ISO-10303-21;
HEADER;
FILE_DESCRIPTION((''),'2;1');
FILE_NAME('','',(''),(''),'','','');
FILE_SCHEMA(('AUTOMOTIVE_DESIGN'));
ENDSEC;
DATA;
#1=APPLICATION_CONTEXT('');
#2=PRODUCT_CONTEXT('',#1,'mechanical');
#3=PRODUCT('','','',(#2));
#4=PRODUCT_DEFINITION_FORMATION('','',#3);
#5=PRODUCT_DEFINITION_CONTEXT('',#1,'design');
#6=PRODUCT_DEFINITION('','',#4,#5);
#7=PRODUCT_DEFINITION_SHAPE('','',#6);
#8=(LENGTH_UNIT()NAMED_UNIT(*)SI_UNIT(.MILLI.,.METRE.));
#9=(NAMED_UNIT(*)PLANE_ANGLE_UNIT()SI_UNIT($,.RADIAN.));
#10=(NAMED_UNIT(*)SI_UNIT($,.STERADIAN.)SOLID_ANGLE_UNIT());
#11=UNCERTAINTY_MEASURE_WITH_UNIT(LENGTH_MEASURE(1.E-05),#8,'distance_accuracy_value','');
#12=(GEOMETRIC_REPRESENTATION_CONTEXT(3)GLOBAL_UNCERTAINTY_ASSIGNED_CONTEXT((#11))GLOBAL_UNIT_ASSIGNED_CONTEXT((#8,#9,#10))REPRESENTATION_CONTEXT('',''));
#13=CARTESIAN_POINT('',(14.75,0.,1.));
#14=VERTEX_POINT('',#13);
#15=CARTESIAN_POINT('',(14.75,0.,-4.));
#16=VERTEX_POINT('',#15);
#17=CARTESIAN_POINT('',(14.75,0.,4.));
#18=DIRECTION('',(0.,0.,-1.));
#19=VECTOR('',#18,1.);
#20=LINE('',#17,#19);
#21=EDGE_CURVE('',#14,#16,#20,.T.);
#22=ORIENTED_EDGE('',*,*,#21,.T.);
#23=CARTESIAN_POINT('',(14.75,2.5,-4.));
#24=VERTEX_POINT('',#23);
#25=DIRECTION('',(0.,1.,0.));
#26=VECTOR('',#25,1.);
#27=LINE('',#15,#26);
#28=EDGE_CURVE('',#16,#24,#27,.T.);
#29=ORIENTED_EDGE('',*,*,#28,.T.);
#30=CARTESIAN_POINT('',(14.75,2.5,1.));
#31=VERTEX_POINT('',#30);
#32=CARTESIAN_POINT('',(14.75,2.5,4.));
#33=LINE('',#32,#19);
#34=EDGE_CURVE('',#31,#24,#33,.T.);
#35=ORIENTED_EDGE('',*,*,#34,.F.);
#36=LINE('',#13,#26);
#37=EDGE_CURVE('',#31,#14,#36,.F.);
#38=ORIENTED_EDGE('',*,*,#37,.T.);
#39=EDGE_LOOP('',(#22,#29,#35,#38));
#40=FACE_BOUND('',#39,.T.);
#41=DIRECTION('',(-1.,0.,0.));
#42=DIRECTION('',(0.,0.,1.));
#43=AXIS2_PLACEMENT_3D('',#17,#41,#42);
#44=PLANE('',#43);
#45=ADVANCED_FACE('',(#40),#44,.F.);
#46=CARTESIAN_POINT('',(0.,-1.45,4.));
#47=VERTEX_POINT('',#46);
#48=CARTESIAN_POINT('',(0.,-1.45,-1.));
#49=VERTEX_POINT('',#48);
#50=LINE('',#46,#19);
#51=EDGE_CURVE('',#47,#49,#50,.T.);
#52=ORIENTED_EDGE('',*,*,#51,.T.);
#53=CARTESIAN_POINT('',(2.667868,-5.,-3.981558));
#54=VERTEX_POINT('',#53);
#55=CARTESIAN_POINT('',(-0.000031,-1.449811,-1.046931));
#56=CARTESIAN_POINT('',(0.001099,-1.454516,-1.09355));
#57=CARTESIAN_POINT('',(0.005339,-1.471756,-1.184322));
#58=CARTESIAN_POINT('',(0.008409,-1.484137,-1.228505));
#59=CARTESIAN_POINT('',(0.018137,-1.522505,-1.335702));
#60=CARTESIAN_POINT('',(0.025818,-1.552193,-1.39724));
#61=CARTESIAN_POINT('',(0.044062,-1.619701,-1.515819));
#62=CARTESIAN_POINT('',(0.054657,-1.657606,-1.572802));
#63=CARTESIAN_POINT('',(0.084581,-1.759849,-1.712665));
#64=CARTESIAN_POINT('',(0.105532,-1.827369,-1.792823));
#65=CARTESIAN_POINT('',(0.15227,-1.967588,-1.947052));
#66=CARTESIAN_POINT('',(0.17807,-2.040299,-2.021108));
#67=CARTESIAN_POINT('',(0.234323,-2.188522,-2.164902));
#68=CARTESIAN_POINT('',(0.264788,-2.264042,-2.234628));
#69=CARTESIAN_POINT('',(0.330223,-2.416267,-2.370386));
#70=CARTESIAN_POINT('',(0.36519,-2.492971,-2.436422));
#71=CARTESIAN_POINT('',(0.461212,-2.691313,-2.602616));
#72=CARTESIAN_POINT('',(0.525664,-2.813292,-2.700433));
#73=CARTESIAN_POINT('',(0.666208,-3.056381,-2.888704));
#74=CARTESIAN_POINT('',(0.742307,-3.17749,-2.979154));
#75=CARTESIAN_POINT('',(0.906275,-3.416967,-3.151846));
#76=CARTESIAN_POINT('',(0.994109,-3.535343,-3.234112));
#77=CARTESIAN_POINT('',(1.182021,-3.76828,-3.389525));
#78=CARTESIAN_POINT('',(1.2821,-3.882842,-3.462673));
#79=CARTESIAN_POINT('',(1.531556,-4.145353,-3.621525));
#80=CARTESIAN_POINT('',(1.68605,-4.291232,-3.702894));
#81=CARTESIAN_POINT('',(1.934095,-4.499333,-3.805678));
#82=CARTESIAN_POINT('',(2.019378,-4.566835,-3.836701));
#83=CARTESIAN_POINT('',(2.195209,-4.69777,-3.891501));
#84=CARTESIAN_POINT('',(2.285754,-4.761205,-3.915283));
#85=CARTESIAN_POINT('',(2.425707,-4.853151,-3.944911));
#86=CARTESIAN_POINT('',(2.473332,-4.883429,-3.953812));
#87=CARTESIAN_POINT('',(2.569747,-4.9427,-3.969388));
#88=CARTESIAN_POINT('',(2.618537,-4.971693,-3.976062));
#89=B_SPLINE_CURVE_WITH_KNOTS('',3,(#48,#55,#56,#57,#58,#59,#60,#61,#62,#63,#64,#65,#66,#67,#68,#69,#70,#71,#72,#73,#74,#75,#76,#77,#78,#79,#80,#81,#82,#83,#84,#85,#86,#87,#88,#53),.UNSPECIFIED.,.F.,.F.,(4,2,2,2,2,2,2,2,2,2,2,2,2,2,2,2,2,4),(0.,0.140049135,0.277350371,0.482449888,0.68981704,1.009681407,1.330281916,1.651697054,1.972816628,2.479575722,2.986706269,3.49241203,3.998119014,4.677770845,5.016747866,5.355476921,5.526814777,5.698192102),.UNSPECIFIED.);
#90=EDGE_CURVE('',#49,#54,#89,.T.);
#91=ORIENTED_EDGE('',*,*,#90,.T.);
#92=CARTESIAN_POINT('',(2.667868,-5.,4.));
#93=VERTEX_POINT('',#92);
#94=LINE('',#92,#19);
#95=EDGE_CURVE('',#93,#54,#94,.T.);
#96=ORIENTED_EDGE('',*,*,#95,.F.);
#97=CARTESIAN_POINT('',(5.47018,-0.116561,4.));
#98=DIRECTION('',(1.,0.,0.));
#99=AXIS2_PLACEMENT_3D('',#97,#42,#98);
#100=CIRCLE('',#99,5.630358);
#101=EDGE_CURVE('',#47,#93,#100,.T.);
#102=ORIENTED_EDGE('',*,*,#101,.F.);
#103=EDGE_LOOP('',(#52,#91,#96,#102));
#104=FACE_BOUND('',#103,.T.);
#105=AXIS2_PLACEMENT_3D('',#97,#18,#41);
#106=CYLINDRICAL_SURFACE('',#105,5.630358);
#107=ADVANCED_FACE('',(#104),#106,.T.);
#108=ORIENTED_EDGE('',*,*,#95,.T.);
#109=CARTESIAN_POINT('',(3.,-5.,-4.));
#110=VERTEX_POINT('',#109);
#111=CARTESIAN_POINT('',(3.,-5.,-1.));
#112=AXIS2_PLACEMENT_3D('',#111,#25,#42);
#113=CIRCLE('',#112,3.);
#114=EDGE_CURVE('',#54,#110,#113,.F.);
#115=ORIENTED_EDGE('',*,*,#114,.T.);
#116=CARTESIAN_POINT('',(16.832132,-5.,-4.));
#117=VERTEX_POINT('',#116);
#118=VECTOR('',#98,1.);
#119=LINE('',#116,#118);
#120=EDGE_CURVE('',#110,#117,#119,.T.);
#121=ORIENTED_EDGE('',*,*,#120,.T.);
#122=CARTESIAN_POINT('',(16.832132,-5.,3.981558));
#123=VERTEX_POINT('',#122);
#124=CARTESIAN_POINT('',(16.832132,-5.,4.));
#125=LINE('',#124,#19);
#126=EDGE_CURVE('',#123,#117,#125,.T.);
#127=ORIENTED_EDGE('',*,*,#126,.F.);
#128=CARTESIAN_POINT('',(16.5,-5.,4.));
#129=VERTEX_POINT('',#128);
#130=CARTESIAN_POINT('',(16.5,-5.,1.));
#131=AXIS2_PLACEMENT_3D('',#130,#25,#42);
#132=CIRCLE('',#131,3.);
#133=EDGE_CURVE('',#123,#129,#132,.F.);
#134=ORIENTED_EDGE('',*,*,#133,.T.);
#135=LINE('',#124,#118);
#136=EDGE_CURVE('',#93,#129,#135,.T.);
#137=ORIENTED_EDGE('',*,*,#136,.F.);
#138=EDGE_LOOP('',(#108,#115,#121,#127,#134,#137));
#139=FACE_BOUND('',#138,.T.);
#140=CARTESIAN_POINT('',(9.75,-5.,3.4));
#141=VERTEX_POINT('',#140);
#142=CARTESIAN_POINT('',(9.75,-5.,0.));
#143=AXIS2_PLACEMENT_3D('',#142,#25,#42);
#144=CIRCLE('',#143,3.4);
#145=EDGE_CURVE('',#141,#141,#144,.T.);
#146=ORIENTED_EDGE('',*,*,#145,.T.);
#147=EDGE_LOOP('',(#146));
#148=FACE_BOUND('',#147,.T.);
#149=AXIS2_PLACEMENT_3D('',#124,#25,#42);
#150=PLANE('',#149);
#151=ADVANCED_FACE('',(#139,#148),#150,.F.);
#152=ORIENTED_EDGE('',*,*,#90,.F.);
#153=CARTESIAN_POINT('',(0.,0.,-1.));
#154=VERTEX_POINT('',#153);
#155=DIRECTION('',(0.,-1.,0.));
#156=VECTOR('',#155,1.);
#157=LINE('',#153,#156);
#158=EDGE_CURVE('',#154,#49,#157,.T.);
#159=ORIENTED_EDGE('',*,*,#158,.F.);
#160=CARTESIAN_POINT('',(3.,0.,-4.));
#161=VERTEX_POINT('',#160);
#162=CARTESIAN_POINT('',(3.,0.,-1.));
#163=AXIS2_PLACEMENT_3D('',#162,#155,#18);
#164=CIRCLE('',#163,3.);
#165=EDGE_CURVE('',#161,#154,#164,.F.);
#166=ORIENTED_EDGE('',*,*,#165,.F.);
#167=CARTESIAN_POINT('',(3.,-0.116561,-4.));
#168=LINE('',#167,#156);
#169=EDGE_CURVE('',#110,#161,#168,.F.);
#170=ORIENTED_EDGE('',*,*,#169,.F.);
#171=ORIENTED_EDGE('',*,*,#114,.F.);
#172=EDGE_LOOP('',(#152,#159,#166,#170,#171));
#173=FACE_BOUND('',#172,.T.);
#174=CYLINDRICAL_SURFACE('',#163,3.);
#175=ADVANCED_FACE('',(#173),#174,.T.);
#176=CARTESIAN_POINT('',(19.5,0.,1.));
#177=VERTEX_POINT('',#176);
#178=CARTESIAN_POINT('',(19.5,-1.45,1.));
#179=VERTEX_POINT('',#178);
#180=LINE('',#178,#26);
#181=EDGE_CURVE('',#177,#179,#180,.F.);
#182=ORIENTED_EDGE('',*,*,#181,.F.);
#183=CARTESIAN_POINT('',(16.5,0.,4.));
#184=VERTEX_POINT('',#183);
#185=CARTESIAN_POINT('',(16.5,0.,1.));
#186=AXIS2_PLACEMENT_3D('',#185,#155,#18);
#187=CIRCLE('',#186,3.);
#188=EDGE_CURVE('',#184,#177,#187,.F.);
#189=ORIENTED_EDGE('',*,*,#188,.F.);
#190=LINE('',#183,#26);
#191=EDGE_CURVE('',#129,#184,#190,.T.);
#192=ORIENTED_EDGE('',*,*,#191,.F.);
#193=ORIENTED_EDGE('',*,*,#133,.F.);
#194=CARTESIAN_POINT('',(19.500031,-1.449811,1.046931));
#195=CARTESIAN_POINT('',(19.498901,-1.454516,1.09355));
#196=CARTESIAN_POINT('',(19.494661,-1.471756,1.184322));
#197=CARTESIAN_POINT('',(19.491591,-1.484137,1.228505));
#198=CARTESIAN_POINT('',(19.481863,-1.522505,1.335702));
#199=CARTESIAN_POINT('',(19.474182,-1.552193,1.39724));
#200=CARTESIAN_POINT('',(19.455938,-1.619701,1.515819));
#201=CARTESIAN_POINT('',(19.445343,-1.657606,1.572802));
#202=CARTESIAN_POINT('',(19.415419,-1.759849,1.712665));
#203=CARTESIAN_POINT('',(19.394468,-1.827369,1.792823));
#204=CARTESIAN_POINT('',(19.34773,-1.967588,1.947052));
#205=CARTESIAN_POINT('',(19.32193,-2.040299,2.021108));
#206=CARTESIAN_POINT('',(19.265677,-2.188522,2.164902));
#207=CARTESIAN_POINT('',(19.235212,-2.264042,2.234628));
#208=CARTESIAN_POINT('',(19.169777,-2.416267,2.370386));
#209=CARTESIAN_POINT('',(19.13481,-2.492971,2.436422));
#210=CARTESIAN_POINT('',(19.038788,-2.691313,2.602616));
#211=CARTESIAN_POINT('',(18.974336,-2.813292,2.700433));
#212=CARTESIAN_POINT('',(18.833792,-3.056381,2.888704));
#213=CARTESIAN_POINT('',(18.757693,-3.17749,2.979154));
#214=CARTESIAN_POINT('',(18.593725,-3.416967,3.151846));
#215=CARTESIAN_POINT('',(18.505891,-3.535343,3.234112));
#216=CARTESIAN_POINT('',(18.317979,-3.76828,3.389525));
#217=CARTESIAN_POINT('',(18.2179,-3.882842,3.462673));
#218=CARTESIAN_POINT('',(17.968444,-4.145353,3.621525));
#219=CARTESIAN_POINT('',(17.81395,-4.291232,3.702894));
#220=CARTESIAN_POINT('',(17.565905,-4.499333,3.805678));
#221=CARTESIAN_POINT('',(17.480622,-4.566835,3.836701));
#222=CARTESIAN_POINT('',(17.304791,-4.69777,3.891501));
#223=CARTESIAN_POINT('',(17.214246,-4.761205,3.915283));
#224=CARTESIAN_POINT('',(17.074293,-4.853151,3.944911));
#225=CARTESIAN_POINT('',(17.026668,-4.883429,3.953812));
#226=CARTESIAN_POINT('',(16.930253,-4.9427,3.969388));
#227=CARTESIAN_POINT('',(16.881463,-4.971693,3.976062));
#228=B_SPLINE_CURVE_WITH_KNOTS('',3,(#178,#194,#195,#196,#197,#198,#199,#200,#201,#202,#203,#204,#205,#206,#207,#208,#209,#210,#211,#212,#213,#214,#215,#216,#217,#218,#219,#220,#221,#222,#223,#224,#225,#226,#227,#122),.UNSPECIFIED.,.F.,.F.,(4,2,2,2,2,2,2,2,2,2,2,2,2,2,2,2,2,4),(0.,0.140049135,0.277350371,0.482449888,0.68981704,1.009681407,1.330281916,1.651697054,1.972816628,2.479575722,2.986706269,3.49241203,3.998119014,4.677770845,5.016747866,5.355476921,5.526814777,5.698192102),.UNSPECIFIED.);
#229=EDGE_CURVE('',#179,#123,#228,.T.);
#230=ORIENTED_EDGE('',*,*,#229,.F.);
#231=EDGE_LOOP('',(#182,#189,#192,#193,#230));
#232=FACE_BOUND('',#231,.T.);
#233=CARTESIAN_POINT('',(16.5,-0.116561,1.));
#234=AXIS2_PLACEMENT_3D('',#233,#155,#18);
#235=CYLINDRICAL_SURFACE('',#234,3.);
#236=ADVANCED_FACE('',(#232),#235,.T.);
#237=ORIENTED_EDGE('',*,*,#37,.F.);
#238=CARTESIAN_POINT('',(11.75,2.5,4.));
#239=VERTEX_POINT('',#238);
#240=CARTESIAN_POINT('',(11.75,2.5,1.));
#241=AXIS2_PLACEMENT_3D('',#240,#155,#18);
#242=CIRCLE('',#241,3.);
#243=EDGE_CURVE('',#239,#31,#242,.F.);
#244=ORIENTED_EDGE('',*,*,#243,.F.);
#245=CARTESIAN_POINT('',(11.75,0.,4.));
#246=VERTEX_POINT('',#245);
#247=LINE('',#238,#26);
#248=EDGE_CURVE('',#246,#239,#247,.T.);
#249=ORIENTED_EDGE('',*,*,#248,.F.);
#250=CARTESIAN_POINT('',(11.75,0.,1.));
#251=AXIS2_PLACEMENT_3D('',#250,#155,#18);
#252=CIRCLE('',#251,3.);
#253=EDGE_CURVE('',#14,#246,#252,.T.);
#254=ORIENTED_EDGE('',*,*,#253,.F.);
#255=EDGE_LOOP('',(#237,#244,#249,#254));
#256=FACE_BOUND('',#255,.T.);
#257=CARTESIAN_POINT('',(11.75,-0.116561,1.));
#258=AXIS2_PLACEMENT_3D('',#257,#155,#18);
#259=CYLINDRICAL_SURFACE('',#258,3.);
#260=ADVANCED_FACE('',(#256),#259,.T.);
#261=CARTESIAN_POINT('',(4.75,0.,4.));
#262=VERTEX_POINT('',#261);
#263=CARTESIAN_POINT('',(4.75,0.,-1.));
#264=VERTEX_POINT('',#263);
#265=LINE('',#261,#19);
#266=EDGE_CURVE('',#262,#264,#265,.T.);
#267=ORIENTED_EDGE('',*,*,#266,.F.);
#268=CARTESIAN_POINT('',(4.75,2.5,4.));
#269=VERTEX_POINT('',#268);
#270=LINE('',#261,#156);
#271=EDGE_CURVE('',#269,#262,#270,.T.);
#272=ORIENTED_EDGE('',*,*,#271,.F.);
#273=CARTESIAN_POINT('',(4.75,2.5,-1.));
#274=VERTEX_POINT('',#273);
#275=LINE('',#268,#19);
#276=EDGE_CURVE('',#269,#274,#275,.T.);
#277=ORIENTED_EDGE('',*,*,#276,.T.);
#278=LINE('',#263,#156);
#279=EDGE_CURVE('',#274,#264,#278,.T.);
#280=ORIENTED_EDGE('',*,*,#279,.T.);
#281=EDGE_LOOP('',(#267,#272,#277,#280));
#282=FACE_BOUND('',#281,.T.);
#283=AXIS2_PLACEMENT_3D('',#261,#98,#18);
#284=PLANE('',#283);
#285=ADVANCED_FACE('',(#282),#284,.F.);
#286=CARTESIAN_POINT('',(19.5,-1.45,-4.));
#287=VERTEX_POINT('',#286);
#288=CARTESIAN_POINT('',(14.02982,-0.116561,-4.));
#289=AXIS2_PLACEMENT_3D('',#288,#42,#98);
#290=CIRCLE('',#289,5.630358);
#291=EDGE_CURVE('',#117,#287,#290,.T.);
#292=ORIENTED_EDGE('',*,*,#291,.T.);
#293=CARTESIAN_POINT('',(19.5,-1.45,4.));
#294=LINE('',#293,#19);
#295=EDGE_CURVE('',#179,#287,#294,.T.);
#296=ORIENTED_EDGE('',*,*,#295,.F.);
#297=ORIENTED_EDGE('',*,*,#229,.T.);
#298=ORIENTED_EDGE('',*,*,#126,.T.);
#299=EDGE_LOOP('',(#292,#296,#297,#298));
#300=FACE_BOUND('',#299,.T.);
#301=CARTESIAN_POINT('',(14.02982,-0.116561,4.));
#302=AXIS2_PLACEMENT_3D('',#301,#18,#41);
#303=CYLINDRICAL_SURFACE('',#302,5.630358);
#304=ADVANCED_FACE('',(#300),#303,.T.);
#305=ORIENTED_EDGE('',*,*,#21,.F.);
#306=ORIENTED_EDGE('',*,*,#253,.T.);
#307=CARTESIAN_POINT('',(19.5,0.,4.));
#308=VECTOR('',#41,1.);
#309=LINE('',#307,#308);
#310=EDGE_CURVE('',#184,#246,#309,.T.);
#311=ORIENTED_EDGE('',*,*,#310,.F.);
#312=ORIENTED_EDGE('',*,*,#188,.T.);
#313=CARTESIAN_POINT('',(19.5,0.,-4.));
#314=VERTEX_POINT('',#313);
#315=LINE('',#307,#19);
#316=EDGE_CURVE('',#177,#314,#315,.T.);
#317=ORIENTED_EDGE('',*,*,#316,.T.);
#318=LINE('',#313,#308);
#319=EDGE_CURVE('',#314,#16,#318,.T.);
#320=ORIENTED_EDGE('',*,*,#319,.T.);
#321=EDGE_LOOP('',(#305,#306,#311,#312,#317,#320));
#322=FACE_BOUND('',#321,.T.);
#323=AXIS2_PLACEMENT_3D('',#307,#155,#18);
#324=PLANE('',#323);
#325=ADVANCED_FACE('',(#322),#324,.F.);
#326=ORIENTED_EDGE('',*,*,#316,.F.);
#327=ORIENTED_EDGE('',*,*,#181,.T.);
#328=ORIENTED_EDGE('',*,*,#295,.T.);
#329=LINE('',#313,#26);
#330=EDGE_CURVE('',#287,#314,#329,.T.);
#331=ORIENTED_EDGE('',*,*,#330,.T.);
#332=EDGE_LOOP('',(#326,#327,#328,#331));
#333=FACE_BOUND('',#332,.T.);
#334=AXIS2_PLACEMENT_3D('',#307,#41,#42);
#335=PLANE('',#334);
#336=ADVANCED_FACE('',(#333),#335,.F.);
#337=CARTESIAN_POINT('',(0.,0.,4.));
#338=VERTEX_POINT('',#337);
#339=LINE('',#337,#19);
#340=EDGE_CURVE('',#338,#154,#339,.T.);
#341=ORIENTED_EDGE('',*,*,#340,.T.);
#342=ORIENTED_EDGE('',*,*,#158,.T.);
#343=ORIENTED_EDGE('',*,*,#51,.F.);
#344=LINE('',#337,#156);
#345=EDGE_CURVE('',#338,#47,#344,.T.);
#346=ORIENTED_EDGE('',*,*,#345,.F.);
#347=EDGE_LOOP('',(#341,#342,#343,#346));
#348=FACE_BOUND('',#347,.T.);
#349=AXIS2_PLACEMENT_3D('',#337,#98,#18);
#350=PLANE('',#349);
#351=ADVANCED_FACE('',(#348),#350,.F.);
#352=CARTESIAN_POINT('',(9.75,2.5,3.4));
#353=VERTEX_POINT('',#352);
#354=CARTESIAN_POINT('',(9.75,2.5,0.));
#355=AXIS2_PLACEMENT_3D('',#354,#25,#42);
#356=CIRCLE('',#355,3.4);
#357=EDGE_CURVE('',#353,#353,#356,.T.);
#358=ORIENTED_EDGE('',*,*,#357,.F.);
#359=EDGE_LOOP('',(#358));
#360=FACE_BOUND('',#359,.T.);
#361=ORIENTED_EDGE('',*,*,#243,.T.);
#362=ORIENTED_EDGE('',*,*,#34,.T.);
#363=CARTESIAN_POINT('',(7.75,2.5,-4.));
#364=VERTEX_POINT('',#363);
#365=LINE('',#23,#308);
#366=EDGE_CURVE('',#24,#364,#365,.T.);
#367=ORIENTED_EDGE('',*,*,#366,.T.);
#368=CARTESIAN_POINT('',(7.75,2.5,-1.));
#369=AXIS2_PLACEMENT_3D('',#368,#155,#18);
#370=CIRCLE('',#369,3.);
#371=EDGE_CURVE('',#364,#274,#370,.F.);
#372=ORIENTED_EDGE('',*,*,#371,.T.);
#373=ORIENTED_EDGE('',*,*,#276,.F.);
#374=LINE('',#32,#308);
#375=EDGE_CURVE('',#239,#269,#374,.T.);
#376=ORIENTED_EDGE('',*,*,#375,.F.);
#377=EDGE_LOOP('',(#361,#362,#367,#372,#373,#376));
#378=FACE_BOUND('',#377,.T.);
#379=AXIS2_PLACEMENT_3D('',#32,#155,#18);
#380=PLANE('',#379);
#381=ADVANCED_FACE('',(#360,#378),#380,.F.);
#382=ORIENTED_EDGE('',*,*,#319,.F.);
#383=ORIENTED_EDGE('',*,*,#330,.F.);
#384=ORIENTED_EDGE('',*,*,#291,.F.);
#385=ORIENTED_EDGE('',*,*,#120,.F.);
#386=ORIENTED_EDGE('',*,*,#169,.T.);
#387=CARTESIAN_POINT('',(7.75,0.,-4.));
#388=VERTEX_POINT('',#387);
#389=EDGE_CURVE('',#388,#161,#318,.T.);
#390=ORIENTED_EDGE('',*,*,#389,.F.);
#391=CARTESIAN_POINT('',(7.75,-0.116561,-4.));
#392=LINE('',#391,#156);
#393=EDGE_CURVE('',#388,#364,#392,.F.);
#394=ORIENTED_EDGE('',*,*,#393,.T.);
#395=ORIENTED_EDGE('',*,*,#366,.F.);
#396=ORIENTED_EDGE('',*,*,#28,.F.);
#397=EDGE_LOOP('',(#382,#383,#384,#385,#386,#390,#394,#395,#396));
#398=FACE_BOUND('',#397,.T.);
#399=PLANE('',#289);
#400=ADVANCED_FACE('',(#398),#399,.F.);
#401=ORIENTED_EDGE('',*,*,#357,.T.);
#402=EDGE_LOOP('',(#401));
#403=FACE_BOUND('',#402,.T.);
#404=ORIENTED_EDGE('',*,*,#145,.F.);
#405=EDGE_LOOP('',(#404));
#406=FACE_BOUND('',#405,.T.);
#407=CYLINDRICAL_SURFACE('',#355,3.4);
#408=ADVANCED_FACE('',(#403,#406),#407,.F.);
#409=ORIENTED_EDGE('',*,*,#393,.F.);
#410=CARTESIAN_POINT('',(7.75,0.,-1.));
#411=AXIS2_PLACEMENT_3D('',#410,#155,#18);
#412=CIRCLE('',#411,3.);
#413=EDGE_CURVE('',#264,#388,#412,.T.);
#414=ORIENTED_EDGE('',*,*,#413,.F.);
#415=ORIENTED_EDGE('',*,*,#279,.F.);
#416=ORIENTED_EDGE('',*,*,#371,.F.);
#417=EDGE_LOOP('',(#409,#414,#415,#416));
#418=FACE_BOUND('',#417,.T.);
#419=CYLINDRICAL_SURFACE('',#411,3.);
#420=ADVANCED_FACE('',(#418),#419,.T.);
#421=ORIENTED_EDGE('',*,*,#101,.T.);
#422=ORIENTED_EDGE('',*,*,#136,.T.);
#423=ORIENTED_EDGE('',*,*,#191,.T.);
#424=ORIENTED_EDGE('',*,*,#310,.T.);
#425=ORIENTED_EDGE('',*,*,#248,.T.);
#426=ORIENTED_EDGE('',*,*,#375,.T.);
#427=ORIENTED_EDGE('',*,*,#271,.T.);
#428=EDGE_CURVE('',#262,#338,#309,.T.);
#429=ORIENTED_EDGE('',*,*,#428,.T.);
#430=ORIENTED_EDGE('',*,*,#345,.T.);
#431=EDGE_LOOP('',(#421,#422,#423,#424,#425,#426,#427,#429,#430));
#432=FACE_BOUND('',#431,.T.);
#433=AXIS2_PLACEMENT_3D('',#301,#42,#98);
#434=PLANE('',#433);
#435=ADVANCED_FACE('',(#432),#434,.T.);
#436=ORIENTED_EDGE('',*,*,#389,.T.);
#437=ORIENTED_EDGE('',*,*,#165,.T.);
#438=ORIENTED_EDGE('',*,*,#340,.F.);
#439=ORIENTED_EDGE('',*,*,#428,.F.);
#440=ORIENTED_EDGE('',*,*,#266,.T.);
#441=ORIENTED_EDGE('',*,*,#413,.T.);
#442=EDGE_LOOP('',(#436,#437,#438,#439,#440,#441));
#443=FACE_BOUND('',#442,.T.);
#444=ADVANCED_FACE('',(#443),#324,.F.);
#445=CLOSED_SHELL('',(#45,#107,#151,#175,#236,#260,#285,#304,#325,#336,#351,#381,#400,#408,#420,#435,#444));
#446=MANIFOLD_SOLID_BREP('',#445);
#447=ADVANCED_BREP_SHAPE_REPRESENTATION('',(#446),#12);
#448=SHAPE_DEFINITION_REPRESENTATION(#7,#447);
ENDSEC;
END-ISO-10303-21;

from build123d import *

# Parameters (mm, degrees)
EXTRUDE_1_DEPTH        = 4
SKETCH_3_W             = 10
SKETCH_3_H             = 2.5
EXTRUDE_2_DEPTH        = 4
FILLET_1_R             = 3
HOLE_WIZARD_M8_1_D     = 6.8
HOLE_WIZARD_M8_1_DEPTH = 19.75
HOLE_WIZARD_M8_1_TIP   = 2.042926105


with BuildPart() as part:
    # 草图1 → 凸台-拉伸1 (new, symmetric)
    with BuildSketch(Plane.XY):
        with BuildLine():
            Line((16.832132438, -5), (2.667867562, -5))
            ThreePointArc((2.667867562, -5), (0.969162586, -3.499129927), (0, -1.45))
            Line((0, -1.45), (0, 0))
            Line((0, 0), (19.5, 0))
            Line((19.5, 0), (19.5, -1.45))
            ThreePointArc((19.5, -1.45), (18.530837414, -3.499129927), (16.832132438, -5))
        make_face()
    extrude(amount=EXTRUDE_1_DEPTH, both=True)

    # 草图3 → 凸台-拉伸2 (add, symmetric)
    with BuildSketch(Plane.XY):
        with Locations((9.75, 1.25)):
            Rectangle(SKETCH_3_W, SKETCH_3_H)
    extrude(amount=EXTRUDE_2_DEPTH, both=True)

    # 圆角1
    fillet_1_edges = [part.edges().sort_by_distance(p)[0] for p in [
        (19.5, -0.725, 4),
        (0, -0.725, -4),
        (4.75, 1.25, -4),
        (14.75, 1.25, 4),
    ]]
    fillet(fillet_1_edges, radius=FILLET_1_R)

    # M8 螺纹孔1
    with Locations(Plane(origin=(9.75, 2.5, 0), x_dir=(0, 0, 1), z_dir=(0, 1, 0))):
        with Locations((0, 0)):
            Hole(HOLE_WIZARD_M8_1_D / 2, depth=HOLE_WIZARD_M8_1_DEPTH)
            with Locations((0, 0, -(HOLE_WIZARD_M8_1_DEPTH + HOLE_WIZARD_M8_1_TIP / 2))):  # 118° drill point
                Cone(0, HOLE_WIZARD_M8_1_D / 2, HOLE_WIZARD_M8_1_TIP, mode=Mode.SUBTRACT)


solid = part.part
